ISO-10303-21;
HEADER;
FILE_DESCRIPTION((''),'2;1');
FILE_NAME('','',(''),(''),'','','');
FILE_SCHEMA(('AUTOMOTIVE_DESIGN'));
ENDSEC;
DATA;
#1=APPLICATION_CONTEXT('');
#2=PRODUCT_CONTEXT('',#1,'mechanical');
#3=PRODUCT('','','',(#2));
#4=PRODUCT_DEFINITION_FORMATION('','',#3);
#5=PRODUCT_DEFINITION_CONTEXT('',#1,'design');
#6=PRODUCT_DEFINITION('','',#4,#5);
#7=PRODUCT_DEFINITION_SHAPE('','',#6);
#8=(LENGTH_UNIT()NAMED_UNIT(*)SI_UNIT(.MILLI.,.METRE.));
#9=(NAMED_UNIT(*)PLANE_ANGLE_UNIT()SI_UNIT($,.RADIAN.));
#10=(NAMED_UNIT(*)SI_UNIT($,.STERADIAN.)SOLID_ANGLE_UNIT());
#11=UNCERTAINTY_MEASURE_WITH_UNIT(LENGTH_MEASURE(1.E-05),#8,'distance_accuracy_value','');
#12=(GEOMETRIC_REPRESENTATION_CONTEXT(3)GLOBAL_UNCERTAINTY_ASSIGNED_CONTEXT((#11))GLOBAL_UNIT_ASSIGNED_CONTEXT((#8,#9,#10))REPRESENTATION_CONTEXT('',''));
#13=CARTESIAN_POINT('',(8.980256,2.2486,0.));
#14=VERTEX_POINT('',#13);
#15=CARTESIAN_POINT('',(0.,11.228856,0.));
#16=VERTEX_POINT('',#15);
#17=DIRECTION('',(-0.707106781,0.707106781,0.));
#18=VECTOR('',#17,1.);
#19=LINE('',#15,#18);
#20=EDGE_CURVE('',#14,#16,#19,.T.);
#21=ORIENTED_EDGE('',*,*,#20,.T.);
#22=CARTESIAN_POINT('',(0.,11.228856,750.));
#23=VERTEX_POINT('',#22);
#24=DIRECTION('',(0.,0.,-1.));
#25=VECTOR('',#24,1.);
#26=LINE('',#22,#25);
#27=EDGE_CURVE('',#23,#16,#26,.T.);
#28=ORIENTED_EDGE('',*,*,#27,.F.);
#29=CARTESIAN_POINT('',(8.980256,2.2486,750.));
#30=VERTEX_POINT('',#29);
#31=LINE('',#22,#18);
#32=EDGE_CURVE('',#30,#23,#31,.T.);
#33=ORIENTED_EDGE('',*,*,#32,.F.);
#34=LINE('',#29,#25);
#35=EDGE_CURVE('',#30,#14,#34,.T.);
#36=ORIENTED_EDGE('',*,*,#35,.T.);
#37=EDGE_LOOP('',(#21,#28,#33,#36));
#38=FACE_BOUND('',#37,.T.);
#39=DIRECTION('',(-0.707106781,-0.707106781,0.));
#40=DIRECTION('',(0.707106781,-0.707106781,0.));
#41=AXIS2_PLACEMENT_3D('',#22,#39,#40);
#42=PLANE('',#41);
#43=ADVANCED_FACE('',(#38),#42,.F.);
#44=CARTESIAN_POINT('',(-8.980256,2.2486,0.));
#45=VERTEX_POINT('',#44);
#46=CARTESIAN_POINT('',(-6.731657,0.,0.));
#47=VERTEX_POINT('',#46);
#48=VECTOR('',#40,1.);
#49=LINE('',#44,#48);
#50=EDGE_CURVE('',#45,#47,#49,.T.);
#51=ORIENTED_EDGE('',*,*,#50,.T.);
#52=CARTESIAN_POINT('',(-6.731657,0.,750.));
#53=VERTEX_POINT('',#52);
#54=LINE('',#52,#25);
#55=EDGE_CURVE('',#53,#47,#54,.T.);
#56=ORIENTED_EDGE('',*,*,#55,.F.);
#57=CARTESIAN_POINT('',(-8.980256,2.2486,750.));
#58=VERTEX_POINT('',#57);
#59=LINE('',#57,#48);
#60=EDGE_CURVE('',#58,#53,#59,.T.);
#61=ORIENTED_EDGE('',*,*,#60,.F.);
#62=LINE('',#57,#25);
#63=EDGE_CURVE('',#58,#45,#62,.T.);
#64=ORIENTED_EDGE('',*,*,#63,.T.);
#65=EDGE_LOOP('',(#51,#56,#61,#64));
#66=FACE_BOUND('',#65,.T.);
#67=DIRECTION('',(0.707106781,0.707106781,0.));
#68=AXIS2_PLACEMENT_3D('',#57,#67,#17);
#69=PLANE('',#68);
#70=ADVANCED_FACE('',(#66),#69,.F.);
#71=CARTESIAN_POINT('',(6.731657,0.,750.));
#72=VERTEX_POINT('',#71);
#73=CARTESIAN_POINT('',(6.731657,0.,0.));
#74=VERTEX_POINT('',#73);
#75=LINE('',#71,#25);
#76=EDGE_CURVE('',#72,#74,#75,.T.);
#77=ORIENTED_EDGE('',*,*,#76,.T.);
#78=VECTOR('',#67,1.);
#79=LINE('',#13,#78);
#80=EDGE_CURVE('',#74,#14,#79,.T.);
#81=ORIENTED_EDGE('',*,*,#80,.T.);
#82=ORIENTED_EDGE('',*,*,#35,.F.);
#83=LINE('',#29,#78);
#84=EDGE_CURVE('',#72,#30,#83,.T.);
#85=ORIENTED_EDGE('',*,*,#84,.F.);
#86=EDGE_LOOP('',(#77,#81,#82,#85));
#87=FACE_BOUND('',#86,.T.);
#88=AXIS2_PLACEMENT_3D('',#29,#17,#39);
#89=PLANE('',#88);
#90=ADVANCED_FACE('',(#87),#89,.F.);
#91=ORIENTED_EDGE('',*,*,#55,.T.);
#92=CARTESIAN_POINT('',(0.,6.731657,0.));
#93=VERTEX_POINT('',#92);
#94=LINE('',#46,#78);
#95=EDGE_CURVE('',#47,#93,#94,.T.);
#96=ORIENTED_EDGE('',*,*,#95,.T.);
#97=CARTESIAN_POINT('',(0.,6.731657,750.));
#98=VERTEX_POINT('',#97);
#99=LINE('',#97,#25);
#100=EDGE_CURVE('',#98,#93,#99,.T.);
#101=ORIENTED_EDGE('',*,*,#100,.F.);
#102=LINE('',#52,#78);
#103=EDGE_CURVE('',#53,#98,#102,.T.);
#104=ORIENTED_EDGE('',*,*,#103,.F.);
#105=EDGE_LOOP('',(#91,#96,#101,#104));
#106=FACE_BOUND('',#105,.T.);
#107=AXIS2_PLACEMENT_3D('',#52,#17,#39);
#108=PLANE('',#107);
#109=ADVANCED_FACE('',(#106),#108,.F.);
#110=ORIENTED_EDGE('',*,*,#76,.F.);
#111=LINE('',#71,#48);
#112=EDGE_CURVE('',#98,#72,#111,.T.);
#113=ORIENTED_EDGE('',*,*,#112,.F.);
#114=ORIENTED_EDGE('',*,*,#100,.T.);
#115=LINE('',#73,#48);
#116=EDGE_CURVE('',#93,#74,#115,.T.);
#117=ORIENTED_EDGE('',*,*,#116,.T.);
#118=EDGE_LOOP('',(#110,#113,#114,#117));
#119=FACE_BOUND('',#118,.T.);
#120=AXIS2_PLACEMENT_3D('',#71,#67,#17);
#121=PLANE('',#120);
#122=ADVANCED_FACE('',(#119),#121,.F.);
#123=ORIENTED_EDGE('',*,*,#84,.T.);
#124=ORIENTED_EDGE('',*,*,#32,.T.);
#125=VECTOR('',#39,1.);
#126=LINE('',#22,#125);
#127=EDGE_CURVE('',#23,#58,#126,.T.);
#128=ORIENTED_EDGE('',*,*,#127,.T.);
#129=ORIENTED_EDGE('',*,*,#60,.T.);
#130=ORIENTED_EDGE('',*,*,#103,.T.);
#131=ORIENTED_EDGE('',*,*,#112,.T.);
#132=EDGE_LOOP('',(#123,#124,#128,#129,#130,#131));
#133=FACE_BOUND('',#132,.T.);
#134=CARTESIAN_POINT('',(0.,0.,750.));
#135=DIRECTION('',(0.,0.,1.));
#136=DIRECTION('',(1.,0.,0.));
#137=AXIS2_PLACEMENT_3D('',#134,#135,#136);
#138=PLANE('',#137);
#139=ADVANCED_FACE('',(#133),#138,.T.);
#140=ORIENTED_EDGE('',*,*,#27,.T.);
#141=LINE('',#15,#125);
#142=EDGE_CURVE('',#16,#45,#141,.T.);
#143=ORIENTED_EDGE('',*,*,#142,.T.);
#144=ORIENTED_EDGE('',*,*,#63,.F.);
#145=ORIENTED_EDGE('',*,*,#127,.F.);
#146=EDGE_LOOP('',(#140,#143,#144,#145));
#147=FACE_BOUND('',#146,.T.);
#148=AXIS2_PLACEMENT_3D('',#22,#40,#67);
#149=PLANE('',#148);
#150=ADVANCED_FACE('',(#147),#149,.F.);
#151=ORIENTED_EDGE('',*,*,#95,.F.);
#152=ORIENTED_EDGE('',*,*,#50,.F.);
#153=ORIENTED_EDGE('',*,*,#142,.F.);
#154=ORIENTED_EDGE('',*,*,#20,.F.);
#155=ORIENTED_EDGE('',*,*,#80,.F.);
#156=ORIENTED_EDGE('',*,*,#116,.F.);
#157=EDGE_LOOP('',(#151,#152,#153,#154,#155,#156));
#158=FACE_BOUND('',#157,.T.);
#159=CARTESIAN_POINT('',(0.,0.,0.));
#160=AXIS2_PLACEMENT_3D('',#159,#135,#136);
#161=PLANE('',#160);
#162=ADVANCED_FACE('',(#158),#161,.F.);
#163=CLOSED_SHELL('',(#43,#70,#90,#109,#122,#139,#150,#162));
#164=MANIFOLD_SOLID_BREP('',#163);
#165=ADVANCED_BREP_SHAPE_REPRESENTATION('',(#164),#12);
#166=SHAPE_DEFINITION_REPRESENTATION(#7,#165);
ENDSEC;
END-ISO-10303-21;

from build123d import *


with BuildPart() as part:
    # Varredura1: sweep along a path in Esboço2
    with BuildLine(Plane(origin=(0, 0, 0), x_dir=(1, 0, 0), z_dir=(0, 1, 0))) as varredura1_path:
        Line((0, 0), (0, -750))
    # Esboço1 → Varredura1 (sweep)
    with BuildSketch(Plane.XY):
        Polygon((0, 11.228855685), (8.980256121, 2.248599564), (6.731656557, 0), (0, 6.731656557), (-6.731656557, 0), (-8.980256121, 2.248599564), align=None)
    sweep(path=varredura1_path.line)


solid = part.part
